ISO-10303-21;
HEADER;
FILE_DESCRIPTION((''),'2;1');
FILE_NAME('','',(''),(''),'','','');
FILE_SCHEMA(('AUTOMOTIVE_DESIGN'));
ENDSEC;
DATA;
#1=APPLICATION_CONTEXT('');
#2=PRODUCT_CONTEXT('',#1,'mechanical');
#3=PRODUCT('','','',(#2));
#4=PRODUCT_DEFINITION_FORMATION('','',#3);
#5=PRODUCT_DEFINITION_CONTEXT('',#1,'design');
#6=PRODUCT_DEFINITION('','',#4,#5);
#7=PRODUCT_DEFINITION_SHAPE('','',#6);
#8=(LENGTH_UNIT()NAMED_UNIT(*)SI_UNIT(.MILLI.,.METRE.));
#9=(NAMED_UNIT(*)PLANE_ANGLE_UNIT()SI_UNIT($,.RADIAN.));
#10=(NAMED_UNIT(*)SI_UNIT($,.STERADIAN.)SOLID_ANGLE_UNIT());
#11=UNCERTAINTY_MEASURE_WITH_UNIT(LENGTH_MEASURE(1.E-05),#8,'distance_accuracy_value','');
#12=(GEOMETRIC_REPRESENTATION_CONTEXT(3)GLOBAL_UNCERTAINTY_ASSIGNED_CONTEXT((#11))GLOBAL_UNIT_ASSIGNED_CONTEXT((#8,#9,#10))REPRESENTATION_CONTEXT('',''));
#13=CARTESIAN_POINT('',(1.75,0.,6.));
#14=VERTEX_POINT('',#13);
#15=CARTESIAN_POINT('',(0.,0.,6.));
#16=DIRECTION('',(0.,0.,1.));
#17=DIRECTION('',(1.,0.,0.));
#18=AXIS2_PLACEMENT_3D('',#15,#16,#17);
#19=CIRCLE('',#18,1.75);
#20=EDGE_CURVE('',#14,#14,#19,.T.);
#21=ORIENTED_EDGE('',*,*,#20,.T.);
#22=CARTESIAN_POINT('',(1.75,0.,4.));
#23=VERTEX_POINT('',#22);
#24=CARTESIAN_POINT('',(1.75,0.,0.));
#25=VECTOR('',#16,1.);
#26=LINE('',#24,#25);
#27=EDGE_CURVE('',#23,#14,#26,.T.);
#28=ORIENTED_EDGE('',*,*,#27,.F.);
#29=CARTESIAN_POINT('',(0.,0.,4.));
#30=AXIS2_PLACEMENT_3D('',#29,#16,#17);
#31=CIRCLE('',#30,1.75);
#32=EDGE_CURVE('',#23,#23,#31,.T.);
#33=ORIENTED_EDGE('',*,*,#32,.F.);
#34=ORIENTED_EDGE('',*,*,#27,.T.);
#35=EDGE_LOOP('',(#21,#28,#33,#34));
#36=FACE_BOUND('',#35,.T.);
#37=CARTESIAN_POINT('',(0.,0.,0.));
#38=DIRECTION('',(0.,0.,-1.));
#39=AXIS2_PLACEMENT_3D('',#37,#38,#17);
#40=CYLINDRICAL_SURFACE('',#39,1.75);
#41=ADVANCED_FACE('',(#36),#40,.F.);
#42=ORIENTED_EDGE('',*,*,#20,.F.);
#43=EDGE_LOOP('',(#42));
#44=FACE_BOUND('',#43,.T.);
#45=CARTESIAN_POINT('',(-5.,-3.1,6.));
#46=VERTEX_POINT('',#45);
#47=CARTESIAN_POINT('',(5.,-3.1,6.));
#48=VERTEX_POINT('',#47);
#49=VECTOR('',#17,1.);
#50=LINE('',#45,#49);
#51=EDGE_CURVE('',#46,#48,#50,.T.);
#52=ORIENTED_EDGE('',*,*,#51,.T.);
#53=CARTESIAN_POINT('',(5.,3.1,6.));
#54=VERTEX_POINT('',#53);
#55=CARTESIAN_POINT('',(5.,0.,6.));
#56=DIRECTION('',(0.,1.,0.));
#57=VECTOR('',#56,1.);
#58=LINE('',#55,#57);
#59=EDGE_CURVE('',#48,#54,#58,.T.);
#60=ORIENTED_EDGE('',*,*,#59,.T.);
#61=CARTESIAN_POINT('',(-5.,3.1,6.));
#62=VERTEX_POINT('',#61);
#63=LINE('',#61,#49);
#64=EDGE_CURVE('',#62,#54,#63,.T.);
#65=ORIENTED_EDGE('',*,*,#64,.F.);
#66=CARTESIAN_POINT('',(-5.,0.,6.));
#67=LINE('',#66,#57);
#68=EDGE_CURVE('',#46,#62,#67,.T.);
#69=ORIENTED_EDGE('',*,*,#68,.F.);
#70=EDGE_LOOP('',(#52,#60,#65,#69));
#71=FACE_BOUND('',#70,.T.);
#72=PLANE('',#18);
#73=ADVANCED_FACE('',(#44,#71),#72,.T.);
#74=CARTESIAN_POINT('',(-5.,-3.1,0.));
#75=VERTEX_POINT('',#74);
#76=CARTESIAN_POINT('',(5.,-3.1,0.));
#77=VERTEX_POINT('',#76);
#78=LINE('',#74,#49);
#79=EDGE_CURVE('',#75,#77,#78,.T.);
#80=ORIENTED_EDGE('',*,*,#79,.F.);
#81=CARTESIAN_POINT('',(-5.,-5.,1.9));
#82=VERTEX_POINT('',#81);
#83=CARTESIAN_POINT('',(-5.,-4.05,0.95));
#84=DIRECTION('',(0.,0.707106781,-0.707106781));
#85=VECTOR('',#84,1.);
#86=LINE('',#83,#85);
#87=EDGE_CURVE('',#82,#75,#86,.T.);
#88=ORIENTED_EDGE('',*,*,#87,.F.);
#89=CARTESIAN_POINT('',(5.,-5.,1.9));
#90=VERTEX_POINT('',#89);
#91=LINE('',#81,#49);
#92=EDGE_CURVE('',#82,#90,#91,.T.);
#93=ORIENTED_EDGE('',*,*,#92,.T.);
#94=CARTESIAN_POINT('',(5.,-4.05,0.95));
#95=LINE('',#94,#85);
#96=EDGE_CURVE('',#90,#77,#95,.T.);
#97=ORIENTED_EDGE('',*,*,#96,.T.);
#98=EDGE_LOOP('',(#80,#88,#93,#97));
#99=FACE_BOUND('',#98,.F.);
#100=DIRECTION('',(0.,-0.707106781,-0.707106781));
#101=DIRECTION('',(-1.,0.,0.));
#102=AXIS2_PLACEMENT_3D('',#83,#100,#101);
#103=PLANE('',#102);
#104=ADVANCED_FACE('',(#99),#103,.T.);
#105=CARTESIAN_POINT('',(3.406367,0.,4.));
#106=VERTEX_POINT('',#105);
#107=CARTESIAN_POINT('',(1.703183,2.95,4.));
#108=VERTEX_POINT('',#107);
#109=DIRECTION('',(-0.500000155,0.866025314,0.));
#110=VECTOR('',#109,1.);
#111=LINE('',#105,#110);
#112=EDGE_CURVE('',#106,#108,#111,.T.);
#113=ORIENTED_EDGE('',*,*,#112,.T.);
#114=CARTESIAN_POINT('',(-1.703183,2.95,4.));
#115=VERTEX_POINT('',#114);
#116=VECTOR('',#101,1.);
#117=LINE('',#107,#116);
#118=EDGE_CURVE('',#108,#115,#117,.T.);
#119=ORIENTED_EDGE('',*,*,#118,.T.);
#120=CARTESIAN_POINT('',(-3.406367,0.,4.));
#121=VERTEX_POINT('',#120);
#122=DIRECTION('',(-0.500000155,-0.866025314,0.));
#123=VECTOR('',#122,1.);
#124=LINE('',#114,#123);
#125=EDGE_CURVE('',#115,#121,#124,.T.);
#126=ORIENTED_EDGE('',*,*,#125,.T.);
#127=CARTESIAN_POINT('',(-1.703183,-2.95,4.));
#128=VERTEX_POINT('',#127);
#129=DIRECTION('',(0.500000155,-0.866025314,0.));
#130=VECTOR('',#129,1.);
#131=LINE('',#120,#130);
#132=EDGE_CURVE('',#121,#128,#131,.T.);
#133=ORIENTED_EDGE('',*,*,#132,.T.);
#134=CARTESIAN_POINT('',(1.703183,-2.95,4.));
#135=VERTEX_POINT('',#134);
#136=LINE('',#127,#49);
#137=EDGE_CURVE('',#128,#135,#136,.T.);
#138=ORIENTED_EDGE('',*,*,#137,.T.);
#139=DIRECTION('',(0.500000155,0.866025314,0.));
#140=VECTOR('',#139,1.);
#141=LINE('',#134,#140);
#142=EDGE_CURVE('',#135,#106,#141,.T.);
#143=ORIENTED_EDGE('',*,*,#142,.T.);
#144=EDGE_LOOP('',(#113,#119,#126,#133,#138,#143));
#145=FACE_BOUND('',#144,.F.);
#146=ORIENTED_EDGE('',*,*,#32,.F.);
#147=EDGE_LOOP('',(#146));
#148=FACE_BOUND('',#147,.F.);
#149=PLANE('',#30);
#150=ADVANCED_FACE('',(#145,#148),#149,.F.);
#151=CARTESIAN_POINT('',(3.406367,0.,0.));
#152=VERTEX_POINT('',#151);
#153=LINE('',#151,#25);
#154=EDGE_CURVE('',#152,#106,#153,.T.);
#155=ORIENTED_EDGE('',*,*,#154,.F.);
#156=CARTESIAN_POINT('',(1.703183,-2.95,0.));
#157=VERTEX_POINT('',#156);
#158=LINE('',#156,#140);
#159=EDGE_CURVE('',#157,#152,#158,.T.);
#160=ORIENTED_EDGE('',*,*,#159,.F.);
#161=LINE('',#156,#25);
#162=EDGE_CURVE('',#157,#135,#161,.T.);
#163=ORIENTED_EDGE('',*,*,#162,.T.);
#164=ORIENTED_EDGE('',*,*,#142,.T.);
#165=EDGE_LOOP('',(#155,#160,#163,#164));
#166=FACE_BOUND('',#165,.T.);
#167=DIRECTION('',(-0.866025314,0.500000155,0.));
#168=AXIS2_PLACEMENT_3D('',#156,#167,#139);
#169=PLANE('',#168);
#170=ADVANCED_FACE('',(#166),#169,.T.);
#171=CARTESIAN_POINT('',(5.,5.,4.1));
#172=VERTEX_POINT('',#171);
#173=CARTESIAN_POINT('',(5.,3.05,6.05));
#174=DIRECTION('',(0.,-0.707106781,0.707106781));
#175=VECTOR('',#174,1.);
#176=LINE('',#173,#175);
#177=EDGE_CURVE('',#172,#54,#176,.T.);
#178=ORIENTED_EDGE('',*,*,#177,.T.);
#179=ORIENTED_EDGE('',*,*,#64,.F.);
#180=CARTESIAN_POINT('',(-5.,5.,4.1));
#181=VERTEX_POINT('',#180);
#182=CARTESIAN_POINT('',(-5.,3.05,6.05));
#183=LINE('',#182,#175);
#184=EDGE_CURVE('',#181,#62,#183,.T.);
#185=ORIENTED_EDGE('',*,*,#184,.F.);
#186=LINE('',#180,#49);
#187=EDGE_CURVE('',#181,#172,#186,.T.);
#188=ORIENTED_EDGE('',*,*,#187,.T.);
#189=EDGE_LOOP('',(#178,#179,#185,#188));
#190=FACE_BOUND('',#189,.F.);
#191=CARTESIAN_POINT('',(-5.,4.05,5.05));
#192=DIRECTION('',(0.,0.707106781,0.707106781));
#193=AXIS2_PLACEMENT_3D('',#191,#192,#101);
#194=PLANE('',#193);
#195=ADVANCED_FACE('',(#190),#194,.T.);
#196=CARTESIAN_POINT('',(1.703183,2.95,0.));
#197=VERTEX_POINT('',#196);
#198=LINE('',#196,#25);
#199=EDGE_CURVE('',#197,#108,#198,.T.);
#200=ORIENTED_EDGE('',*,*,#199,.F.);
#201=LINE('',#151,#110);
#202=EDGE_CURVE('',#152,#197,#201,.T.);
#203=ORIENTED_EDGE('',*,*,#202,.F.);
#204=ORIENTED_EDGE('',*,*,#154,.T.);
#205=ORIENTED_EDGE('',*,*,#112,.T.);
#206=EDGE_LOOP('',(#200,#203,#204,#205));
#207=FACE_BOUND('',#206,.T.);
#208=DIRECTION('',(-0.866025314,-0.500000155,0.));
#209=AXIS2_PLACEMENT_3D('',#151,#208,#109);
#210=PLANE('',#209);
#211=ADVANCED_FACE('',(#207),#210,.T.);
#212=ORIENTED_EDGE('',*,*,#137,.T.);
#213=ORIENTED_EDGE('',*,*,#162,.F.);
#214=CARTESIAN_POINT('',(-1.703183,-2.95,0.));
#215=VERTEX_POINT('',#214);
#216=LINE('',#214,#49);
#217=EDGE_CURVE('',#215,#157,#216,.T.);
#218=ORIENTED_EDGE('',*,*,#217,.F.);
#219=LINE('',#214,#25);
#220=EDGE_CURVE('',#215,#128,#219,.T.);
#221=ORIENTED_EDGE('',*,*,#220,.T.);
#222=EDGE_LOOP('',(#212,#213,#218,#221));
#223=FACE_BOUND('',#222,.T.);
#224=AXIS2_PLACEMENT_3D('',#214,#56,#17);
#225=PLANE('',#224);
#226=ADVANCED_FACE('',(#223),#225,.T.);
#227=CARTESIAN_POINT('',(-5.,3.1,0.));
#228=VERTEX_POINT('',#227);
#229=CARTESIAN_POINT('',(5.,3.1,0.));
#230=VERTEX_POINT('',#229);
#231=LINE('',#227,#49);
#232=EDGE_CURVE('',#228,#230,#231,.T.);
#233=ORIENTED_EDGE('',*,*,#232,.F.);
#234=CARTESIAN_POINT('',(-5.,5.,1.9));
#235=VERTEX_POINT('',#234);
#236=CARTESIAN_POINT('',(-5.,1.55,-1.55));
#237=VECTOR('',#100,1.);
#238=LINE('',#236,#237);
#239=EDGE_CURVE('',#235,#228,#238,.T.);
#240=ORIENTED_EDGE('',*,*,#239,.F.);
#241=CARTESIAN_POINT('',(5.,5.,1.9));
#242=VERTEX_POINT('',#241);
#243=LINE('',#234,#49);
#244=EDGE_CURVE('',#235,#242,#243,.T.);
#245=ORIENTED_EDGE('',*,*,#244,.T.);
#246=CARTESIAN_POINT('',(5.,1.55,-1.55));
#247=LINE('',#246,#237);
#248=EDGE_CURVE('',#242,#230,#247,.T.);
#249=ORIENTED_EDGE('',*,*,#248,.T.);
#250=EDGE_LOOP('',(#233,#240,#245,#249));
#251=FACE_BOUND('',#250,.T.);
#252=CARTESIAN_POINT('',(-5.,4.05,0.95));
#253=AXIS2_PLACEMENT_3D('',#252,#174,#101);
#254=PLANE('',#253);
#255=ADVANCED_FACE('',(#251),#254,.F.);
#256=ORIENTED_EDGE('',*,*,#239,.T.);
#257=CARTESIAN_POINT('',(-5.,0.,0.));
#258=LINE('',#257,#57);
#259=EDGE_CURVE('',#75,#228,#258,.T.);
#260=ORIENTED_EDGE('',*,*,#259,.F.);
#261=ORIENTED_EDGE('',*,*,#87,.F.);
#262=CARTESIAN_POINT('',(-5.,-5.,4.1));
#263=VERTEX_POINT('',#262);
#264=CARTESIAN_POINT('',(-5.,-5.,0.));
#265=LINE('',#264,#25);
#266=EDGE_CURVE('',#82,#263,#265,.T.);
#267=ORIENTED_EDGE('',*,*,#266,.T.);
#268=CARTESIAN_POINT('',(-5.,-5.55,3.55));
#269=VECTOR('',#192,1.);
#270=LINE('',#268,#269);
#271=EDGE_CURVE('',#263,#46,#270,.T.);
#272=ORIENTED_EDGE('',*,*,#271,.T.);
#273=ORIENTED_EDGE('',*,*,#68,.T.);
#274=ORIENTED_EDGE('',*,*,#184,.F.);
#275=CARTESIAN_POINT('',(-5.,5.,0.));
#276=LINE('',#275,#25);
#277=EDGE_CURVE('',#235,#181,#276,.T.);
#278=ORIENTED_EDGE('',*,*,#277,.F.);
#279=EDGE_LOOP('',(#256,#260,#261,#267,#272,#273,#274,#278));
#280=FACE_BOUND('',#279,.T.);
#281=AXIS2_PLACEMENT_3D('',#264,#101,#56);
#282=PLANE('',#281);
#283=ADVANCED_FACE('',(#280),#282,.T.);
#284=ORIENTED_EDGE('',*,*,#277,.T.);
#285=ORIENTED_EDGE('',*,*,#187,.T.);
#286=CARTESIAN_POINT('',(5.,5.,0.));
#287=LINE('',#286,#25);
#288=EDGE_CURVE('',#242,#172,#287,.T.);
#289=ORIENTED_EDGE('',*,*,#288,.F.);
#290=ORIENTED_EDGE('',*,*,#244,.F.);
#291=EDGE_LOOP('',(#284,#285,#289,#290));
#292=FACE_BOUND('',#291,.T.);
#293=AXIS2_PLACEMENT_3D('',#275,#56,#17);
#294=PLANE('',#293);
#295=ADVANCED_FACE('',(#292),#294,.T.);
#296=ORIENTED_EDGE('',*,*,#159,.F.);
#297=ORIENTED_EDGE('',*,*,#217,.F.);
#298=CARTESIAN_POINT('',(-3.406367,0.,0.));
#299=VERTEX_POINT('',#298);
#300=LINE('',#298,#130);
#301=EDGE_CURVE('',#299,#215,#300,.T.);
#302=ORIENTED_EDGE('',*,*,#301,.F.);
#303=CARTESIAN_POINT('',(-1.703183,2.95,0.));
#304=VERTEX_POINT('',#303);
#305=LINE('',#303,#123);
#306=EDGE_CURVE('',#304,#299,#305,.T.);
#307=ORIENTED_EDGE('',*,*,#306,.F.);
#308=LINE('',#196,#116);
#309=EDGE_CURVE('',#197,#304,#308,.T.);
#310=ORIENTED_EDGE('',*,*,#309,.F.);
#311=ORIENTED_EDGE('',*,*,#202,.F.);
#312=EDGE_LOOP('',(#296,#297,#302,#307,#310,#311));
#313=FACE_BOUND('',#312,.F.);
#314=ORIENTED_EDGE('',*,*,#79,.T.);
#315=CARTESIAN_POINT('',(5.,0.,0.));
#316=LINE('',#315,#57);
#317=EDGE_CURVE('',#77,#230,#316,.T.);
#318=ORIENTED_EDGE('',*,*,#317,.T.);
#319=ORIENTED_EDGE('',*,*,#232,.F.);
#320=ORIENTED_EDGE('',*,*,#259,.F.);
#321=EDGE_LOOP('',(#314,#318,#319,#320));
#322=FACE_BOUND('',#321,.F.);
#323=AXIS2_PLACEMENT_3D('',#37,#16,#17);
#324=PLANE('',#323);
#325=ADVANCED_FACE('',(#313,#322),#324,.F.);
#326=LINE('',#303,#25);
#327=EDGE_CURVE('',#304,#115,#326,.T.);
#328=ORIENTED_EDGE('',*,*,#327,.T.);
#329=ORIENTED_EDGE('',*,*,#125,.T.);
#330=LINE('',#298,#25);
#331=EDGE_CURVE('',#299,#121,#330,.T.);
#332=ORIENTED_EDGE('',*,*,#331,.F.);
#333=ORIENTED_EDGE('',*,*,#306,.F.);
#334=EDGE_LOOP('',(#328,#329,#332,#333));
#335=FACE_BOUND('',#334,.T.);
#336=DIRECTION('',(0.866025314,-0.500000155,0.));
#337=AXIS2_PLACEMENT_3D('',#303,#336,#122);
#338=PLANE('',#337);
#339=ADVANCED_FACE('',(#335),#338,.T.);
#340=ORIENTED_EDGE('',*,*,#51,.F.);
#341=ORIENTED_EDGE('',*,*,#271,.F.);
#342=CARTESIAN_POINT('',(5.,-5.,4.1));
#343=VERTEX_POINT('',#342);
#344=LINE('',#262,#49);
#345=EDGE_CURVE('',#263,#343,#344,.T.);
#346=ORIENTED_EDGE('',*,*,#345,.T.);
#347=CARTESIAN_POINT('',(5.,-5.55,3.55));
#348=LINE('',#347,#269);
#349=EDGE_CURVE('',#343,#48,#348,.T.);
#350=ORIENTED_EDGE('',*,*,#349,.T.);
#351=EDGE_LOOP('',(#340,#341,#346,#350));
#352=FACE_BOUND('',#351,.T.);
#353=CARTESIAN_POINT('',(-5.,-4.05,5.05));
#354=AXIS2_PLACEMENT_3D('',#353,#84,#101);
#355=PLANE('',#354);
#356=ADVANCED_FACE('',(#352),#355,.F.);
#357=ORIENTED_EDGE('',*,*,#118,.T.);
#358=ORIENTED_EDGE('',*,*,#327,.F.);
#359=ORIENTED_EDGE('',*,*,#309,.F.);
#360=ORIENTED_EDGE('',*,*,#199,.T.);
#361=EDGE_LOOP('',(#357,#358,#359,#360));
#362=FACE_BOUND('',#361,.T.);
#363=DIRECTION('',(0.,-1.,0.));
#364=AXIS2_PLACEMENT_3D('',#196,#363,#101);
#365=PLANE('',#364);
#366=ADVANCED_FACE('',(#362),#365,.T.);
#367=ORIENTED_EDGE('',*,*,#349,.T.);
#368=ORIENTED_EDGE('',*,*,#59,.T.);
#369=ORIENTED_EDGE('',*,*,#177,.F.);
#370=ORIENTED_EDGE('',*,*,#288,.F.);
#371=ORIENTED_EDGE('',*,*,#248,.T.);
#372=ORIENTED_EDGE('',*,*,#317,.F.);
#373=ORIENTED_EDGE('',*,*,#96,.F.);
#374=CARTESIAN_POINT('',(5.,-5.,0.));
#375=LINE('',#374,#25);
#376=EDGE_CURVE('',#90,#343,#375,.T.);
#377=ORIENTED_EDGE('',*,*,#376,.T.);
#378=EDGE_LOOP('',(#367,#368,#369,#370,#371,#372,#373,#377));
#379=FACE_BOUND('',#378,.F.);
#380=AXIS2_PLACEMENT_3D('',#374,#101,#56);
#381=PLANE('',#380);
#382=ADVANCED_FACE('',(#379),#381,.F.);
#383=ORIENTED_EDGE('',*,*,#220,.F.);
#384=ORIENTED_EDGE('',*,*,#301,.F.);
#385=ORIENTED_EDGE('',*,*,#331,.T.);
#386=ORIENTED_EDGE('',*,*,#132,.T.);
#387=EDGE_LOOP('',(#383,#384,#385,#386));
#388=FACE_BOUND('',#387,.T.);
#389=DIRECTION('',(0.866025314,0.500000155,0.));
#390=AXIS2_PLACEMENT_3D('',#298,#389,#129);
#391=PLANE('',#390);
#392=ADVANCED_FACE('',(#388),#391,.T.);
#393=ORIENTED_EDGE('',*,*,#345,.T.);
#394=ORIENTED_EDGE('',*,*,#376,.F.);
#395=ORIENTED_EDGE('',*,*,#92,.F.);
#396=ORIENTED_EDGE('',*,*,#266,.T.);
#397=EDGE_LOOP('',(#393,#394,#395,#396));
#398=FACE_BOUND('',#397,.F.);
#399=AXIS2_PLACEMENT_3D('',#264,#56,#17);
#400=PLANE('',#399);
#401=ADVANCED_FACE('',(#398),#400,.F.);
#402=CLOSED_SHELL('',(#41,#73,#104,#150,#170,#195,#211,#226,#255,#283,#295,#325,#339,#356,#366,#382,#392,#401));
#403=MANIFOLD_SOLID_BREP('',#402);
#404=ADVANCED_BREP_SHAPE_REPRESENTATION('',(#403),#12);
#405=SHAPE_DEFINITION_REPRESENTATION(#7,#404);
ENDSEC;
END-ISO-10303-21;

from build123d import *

# Parameters (mm, degrees)
F0_W     = 10
F0_H     = 10
F0_R     = 1.75
F1_DEPTH = 6
F2_DEPTH = 4
F3_SIZE  = 1.9


with BuildPart() as f1:
    # F0 (on Top) → F1 (new body)
    with BuildSketch(Plane.XY):
        Rectangle(F0_W, F0_H)
        Polygon((-3.406367, 0), (-1.703183, 2.95), (1.703183, 2.95), (3.406367, 0), (1.703183, -2.95), (-1.703183, -2.95), align=None, mode=Mode.SUBTRACT)
        Polygon((1.703183, 2.95), (-1.703183, 2.95), (-3.406367, 0), (-1.703183, -2.95), (1.703183, -2.95), (3.406367, 0), align=None)
        Circle(F0_R, mode=Mode.SUBTRACT)
    extrude(amount=F1_DEPTH)

    # F0 (on Top) → F2 (cut)
    with BuildSketch(Plane.XY):
        Polygon((1.703183, 2.95), (-1.703183, 2.95), (-3.406367, 0), (-1.703183, -2.95), (1.703183, -2.95), (3.406367, 0), align=None)
        Circle(F0_R, mode=Mode.SUBTRACT)
    extrude(amount=F2_DEPTH, mode=Mode.SUBTRACT)

    # F3
    f3_edges = [f1.edges().sort_by_distance(p)[0] for p in [
        (0, 5, 0),
        (0, -5, 0),
        (0, 5, 6),
        (0, -5, 6),
    ]]
    chamfer(f3_edges, length=F3_SIZE)


solid = f1.part
